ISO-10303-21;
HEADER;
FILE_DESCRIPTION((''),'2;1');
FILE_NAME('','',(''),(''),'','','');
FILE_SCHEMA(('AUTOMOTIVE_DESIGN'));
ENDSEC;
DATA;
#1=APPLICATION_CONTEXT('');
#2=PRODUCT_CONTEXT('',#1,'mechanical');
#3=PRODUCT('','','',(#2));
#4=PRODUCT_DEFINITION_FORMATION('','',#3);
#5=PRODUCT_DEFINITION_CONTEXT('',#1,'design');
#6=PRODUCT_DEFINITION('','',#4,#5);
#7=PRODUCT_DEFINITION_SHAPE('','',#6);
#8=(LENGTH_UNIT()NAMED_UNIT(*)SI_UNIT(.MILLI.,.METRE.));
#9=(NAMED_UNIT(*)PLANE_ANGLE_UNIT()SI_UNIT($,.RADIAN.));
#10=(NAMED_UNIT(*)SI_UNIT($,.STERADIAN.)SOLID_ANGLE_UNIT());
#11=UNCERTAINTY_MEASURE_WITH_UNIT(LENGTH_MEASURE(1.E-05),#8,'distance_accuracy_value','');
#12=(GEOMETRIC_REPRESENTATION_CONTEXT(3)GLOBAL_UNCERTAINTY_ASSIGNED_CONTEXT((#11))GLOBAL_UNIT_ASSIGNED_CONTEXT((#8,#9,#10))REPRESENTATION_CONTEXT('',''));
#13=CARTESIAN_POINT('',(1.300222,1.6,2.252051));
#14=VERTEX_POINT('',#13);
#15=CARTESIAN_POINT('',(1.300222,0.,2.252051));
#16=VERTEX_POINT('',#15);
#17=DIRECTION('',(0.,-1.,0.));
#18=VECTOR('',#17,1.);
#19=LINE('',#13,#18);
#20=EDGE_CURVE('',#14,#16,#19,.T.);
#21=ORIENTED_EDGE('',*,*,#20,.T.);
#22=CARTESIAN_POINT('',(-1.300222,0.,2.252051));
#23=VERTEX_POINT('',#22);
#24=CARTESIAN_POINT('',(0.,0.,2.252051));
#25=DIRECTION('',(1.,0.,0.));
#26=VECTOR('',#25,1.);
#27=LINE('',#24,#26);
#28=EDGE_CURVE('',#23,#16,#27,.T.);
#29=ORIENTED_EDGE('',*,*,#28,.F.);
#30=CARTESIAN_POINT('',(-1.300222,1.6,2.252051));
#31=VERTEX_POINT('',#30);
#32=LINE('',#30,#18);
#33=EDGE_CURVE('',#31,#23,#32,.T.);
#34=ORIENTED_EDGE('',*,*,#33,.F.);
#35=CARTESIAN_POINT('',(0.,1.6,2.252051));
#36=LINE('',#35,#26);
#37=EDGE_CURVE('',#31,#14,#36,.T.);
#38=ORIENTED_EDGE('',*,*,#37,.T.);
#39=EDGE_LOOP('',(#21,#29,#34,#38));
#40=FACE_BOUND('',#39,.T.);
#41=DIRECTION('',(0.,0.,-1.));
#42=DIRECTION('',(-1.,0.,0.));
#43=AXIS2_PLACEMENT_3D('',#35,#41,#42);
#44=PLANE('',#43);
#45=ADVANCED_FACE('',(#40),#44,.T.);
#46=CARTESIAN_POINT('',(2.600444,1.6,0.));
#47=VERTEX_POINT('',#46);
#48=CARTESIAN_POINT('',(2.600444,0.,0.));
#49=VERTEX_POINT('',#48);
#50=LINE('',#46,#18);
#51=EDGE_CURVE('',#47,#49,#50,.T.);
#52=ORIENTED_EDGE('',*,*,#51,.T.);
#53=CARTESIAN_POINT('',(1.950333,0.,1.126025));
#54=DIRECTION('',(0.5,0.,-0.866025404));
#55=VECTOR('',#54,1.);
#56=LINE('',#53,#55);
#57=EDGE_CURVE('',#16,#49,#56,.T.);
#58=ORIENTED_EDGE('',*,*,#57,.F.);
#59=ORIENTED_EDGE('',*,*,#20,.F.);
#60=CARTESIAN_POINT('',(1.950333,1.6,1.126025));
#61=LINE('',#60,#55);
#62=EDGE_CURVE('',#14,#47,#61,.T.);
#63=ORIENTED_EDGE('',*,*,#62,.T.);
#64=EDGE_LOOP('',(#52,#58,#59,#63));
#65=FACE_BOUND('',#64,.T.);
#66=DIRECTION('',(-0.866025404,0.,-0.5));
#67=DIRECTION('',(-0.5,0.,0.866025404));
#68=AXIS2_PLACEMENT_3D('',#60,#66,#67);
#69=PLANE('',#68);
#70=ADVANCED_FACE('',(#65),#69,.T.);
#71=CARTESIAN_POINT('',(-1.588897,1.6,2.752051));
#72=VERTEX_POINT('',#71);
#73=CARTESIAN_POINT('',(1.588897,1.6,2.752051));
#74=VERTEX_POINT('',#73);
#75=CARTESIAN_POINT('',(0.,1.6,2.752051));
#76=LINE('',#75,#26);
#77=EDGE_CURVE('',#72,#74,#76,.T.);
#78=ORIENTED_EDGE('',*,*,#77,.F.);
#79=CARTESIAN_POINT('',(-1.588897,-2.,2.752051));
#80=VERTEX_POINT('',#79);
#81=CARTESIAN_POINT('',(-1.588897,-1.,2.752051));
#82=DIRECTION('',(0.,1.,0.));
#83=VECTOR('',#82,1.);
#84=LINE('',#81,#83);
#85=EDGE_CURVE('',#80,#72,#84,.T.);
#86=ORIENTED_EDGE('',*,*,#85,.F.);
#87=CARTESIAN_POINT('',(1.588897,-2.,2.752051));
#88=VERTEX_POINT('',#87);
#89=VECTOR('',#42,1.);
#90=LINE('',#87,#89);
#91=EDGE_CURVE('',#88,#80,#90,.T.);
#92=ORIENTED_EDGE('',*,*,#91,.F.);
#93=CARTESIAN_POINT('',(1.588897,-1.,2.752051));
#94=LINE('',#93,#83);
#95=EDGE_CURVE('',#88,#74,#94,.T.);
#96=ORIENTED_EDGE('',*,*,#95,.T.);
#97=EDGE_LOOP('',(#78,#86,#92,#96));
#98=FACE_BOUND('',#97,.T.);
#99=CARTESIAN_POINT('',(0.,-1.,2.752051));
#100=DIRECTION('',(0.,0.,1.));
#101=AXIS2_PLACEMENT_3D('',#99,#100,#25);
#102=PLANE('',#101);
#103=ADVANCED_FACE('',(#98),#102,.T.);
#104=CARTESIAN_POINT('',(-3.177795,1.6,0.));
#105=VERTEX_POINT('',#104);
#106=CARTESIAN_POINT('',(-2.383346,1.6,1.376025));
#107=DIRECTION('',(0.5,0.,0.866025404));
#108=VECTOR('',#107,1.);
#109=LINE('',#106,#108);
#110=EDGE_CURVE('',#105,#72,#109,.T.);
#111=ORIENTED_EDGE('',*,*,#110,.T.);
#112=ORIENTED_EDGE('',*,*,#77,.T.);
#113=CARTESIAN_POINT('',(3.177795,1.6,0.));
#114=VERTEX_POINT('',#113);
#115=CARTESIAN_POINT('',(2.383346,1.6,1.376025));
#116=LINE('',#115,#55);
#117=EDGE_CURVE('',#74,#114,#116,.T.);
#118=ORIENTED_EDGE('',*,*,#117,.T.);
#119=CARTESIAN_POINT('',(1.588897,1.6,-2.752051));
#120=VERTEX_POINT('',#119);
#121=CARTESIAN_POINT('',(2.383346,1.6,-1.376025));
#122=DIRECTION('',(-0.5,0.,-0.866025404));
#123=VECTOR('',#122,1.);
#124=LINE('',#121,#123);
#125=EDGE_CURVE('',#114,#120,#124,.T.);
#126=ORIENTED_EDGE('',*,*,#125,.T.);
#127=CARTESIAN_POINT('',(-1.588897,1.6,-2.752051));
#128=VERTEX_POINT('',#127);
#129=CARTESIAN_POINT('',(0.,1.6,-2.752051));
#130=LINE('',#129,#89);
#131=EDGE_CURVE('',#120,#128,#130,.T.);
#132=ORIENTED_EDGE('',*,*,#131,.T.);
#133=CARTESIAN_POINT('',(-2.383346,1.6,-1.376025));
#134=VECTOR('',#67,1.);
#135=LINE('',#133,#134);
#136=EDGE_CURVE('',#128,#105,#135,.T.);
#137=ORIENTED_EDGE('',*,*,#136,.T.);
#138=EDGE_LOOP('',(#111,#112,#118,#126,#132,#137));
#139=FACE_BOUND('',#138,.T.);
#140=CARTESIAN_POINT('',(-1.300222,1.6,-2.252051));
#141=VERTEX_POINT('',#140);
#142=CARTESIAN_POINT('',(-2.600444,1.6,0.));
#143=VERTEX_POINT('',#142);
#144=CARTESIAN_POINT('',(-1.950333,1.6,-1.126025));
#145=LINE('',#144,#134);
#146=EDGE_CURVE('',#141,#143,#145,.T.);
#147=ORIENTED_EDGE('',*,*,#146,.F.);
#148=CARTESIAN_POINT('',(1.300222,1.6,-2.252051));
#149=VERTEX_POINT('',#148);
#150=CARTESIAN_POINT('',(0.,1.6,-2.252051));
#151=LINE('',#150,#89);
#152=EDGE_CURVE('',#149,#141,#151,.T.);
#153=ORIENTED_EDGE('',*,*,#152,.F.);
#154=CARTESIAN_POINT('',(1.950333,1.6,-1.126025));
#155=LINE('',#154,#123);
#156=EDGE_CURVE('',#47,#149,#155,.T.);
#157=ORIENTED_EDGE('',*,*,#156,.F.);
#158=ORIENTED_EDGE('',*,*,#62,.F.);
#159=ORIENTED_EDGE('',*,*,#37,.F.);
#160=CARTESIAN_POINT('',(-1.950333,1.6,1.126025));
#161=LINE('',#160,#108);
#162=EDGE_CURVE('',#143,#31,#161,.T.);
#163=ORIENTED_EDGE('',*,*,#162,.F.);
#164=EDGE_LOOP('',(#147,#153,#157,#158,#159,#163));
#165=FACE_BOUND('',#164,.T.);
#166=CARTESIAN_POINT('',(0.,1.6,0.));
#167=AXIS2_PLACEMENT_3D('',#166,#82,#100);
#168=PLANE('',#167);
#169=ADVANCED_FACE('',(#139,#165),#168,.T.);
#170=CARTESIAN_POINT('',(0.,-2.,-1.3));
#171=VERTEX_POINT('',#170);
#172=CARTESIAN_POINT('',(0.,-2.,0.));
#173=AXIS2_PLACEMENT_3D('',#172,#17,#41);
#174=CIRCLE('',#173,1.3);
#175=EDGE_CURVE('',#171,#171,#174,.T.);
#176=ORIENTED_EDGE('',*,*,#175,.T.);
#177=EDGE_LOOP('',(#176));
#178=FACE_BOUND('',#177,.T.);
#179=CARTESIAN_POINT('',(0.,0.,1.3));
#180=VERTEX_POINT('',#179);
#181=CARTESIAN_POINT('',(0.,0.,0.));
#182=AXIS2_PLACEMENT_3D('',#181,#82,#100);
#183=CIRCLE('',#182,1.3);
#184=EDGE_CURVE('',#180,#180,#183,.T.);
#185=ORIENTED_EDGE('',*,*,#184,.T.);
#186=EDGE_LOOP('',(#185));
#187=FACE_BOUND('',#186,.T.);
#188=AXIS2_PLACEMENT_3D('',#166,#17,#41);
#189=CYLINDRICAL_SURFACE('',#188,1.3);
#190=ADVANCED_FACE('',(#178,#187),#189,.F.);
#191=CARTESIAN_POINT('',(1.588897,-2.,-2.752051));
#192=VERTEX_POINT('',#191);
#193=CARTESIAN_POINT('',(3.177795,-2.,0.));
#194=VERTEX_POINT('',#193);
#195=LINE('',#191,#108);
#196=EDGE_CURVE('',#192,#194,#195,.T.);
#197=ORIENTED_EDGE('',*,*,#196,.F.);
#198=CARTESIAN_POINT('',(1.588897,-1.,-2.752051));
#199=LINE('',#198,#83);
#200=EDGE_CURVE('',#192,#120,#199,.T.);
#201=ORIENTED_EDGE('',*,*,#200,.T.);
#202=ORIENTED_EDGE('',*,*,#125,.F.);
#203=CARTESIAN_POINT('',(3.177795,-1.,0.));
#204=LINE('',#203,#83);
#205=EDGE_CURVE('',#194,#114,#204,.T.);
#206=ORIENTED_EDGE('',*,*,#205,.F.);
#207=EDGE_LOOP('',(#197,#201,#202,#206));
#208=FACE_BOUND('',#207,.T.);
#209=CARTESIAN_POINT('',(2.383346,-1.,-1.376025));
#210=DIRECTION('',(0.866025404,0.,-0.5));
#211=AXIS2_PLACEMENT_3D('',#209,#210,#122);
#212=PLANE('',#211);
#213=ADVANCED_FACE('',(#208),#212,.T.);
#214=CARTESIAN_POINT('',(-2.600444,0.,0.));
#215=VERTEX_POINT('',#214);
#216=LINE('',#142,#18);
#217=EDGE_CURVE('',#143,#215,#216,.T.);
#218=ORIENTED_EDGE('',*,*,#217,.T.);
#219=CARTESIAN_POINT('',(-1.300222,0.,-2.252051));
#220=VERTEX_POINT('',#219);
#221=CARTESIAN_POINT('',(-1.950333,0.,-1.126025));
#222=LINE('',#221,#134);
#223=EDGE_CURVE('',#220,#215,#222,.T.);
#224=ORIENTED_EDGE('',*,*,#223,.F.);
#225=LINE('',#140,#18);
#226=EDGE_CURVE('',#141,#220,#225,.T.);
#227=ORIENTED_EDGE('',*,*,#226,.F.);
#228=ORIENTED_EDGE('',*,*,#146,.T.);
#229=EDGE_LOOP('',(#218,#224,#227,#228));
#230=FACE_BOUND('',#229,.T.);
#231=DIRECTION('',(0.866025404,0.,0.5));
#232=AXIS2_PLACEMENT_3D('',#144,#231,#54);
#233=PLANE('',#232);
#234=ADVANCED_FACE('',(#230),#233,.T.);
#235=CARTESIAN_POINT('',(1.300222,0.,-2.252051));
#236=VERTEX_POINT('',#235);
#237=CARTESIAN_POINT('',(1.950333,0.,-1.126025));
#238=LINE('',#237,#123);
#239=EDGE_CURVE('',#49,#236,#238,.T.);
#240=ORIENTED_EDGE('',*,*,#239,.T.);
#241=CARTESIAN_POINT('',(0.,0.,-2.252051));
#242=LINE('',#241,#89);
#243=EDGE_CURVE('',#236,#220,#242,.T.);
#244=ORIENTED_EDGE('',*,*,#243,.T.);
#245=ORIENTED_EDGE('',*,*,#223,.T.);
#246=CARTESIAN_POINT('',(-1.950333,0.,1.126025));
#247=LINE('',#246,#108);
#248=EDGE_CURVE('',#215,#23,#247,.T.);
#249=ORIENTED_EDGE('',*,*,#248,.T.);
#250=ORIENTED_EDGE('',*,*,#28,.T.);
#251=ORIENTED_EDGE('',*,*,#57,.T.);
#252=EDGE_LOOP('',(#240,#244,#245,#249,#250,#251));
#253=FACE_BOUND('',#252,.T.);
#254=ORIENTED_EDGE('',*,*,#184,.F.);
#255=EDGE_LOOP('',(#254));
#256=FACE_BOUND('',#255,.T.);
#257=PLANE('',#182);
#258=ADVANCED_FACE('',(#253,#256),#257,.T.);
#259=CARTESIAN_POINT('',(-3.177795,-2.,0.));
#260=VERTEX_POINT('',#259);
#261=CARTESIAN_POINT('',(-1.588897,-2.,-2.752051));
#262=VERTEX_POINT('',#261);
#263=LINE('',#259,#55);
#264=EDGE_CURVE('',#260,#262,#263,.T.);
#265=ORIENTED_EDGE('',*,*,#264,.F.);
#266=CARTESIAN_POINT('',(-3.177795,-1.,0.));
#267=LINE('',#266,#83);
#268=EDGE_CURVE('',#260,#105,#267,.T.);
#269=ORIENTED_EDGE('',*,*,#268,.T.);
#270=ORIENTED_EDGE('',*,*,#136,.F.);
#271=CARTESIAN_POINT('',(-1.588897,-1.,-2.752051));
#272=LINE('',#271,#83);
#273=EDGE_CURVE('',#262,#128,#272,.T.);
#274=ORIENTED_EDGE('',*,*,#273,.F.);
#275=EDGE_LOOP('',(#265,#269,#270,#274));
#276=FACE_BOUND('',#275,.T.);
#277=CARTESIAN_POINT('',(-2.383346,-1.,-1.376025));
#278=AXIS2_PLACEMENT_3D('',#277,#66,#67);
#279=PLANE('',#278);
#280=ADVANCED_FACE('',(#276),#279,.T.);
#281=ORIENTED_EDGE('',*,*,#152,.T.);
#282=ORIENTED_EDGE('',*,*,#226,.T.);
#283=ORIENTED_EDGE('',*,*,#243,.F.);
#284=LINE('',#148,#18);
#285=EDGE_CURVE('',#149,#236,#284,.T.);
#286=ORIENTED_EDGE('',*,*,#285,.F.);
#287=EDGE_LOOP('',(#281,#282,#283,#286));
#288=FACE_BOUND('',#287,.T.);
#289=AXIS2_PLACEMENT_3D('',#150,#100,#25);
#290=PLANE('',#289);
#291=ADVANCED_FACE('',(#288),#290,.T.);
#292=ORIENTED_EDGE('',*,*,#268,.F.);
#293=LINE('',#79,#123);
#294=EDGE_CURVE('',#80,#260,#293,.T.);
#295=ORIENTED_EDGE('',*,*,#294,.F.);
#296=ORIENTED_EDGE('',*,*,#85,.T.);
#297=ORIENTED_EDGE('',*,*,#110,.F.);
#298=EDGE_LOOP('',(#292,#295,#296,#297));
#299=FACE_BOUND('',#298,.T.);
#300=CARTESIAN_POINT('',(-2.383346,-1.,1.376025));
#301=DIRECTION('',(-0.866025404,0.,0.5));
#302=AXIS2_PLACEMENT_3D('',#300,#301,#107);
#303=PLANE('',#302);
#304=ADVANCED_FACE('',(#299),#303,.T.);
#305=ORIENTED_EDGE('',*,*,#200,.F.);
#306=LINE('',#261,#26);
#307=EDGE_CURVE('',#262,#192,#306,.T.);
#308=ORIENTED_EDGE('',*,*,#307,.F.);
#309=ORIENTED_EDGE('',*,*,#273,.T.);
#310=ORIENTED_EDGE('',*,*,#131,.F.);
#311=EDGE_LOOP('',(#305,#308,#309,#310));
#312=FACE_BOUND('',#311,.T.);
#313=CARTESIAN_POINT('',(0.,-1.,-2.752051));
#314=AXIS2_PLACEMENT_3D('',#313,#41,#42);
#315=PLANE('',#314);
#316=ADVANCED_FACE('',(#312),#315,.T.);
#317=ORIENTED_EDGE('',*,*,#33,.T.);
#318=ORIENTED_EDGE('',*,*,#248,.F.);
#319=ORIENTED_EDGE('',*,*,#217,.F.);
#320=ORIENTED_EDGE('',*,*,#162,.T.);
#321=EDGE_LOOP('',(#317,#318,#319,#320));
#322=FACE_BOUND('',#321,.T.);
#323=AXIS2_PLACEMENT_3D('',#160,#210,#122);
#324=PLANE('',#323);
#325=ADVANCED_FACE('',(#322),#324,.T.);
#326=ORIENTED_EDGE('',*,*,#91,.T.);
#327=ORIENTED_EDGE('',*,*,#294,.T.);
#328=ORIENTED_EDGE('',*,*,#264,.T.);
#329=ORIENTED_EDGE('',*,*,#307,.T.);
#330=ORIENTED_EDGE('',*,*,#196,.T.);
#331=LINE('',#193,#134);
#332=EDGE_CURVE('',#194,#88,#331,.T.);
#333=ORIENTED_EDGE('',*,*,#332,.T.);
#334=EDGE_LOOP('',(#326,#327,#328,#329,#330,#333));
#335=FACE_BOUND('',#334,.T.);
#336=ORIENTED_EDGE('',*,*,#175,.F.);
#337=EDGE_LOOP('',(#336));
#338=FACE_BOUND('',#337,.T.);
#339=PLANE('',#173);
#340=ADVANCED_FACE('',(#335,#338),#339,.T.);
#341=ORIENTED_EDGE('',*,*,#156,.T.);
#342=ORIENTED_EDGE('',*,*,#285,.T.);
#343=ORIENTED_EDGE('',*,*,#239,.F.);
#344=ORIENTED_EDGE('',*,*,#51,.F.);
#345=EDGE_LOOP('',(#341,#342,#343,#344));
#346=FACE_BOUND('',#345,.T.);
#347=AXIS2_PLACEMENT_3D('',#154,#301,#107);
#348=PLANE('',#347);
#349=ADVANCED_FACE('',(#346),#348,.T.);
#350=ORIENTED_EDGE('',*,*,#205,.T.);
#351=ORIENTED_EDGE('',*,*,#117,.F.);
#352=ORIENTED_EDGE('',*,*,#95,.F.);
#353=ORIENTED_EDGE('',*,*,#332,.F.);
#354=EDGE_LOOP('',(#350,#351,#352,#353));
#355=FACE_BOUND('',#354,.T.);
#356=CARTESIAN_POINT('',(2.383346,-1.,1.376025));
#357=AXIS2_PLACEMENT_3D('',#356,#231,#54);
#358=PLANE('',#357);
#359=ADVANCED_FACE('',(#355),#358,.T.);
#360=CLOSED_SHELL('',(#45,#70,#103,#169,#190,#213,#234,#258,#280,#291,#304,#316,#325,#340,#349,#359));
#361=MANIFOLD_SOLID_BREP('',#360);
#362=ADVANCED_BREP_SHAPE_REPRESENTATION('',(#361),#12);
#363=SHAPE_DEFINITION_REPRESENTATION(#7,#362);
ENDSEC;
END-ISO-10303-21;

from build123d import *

# Parameters (mm, degrees)
BOSS_EXTRUDE1_DEPTH = 1
BOSS_EXTRUDE2_DEPTH = 1.6
SKETCH2_R           = 1.3
CUT_EXTRUDE1_DEPTH  = 2.6
BOSS_EXTRUDE3_START = 1
SKETCH3_R           = 1.3
BOSS_EXTRUDE3_DEPTH = 1


with BuildPart() as part:
    # Sketch1 → Boss-Extrude1 (new body)
    with BuildSketch(Plane(origin=(0, 0, 0), x_dir=(1, 0, 0), z_dir=(0, 1, 0))):
        Polygon((1.588897275, -2.752050808), (3.177794549, 0), (1.588897275, 2.752050808), (-1.588897275, 2.752050808), (-3.177794549, 0), (-1.588897275, -2.752050808), align=None)
    extrude(amount=-BOSS_EXTRUDE1_DEPTH)

    # Sketch1<3> → Boss-Extrude2 (add)
    with BuildSketch(Plane(origin=(0, 0, 0), x_dir=(1, 0, 0), z_dir=(0, 1, 0))):
        Polygon((1.588897275, -2.752050808), (3.177794549, 0), (1.588897275, 2.752050808), (-1.588897275, 2.752050808), (-3.177794549, 0), (-1.588897275, -2.752050808), align=None)
        Polygon((2.60044428, 0), (1.30022214, -2.252050808), (-1.30022214, -2.252050808), (-2.60044428, 0), (-1.30022214, 2.252050808), (1.30022214, 2.252050808), align=None, mode=Mode.SUBTRACT)
    extrude(amount=BOSS_EXTRUDE2_DEPTH)

    # Sketch2 → Cut-Extrude1 (cut)
    with BuildSketch(Plane.XZ.offset(1)):
        Circle(SKETCH2_R)
    extrude(amount=-CUT_EXTRUDE1_DEPTH, mode=Mode.SUBTRACT)

    # Sketch3 → Boss-Extrude3 (add)
    with BuildSketch(Plane.XZ.offset(1).offset(BOSS_EXTRUDE3_START)):
        Polygon((-1.588897275, -2.752050808), (1.588897275, -2.752050808), (3.177794549, 0), (1.588897275, 2.752050808), (-1.588897275, 2.752050808), (-3.177794549, 0), align=None)
        Circle(SKETCH3_R, mode=Mode.SUBTRACT)
    extrude(amount=-BOSS_EXTRUDE3_DEPTH)


solid = part.part
